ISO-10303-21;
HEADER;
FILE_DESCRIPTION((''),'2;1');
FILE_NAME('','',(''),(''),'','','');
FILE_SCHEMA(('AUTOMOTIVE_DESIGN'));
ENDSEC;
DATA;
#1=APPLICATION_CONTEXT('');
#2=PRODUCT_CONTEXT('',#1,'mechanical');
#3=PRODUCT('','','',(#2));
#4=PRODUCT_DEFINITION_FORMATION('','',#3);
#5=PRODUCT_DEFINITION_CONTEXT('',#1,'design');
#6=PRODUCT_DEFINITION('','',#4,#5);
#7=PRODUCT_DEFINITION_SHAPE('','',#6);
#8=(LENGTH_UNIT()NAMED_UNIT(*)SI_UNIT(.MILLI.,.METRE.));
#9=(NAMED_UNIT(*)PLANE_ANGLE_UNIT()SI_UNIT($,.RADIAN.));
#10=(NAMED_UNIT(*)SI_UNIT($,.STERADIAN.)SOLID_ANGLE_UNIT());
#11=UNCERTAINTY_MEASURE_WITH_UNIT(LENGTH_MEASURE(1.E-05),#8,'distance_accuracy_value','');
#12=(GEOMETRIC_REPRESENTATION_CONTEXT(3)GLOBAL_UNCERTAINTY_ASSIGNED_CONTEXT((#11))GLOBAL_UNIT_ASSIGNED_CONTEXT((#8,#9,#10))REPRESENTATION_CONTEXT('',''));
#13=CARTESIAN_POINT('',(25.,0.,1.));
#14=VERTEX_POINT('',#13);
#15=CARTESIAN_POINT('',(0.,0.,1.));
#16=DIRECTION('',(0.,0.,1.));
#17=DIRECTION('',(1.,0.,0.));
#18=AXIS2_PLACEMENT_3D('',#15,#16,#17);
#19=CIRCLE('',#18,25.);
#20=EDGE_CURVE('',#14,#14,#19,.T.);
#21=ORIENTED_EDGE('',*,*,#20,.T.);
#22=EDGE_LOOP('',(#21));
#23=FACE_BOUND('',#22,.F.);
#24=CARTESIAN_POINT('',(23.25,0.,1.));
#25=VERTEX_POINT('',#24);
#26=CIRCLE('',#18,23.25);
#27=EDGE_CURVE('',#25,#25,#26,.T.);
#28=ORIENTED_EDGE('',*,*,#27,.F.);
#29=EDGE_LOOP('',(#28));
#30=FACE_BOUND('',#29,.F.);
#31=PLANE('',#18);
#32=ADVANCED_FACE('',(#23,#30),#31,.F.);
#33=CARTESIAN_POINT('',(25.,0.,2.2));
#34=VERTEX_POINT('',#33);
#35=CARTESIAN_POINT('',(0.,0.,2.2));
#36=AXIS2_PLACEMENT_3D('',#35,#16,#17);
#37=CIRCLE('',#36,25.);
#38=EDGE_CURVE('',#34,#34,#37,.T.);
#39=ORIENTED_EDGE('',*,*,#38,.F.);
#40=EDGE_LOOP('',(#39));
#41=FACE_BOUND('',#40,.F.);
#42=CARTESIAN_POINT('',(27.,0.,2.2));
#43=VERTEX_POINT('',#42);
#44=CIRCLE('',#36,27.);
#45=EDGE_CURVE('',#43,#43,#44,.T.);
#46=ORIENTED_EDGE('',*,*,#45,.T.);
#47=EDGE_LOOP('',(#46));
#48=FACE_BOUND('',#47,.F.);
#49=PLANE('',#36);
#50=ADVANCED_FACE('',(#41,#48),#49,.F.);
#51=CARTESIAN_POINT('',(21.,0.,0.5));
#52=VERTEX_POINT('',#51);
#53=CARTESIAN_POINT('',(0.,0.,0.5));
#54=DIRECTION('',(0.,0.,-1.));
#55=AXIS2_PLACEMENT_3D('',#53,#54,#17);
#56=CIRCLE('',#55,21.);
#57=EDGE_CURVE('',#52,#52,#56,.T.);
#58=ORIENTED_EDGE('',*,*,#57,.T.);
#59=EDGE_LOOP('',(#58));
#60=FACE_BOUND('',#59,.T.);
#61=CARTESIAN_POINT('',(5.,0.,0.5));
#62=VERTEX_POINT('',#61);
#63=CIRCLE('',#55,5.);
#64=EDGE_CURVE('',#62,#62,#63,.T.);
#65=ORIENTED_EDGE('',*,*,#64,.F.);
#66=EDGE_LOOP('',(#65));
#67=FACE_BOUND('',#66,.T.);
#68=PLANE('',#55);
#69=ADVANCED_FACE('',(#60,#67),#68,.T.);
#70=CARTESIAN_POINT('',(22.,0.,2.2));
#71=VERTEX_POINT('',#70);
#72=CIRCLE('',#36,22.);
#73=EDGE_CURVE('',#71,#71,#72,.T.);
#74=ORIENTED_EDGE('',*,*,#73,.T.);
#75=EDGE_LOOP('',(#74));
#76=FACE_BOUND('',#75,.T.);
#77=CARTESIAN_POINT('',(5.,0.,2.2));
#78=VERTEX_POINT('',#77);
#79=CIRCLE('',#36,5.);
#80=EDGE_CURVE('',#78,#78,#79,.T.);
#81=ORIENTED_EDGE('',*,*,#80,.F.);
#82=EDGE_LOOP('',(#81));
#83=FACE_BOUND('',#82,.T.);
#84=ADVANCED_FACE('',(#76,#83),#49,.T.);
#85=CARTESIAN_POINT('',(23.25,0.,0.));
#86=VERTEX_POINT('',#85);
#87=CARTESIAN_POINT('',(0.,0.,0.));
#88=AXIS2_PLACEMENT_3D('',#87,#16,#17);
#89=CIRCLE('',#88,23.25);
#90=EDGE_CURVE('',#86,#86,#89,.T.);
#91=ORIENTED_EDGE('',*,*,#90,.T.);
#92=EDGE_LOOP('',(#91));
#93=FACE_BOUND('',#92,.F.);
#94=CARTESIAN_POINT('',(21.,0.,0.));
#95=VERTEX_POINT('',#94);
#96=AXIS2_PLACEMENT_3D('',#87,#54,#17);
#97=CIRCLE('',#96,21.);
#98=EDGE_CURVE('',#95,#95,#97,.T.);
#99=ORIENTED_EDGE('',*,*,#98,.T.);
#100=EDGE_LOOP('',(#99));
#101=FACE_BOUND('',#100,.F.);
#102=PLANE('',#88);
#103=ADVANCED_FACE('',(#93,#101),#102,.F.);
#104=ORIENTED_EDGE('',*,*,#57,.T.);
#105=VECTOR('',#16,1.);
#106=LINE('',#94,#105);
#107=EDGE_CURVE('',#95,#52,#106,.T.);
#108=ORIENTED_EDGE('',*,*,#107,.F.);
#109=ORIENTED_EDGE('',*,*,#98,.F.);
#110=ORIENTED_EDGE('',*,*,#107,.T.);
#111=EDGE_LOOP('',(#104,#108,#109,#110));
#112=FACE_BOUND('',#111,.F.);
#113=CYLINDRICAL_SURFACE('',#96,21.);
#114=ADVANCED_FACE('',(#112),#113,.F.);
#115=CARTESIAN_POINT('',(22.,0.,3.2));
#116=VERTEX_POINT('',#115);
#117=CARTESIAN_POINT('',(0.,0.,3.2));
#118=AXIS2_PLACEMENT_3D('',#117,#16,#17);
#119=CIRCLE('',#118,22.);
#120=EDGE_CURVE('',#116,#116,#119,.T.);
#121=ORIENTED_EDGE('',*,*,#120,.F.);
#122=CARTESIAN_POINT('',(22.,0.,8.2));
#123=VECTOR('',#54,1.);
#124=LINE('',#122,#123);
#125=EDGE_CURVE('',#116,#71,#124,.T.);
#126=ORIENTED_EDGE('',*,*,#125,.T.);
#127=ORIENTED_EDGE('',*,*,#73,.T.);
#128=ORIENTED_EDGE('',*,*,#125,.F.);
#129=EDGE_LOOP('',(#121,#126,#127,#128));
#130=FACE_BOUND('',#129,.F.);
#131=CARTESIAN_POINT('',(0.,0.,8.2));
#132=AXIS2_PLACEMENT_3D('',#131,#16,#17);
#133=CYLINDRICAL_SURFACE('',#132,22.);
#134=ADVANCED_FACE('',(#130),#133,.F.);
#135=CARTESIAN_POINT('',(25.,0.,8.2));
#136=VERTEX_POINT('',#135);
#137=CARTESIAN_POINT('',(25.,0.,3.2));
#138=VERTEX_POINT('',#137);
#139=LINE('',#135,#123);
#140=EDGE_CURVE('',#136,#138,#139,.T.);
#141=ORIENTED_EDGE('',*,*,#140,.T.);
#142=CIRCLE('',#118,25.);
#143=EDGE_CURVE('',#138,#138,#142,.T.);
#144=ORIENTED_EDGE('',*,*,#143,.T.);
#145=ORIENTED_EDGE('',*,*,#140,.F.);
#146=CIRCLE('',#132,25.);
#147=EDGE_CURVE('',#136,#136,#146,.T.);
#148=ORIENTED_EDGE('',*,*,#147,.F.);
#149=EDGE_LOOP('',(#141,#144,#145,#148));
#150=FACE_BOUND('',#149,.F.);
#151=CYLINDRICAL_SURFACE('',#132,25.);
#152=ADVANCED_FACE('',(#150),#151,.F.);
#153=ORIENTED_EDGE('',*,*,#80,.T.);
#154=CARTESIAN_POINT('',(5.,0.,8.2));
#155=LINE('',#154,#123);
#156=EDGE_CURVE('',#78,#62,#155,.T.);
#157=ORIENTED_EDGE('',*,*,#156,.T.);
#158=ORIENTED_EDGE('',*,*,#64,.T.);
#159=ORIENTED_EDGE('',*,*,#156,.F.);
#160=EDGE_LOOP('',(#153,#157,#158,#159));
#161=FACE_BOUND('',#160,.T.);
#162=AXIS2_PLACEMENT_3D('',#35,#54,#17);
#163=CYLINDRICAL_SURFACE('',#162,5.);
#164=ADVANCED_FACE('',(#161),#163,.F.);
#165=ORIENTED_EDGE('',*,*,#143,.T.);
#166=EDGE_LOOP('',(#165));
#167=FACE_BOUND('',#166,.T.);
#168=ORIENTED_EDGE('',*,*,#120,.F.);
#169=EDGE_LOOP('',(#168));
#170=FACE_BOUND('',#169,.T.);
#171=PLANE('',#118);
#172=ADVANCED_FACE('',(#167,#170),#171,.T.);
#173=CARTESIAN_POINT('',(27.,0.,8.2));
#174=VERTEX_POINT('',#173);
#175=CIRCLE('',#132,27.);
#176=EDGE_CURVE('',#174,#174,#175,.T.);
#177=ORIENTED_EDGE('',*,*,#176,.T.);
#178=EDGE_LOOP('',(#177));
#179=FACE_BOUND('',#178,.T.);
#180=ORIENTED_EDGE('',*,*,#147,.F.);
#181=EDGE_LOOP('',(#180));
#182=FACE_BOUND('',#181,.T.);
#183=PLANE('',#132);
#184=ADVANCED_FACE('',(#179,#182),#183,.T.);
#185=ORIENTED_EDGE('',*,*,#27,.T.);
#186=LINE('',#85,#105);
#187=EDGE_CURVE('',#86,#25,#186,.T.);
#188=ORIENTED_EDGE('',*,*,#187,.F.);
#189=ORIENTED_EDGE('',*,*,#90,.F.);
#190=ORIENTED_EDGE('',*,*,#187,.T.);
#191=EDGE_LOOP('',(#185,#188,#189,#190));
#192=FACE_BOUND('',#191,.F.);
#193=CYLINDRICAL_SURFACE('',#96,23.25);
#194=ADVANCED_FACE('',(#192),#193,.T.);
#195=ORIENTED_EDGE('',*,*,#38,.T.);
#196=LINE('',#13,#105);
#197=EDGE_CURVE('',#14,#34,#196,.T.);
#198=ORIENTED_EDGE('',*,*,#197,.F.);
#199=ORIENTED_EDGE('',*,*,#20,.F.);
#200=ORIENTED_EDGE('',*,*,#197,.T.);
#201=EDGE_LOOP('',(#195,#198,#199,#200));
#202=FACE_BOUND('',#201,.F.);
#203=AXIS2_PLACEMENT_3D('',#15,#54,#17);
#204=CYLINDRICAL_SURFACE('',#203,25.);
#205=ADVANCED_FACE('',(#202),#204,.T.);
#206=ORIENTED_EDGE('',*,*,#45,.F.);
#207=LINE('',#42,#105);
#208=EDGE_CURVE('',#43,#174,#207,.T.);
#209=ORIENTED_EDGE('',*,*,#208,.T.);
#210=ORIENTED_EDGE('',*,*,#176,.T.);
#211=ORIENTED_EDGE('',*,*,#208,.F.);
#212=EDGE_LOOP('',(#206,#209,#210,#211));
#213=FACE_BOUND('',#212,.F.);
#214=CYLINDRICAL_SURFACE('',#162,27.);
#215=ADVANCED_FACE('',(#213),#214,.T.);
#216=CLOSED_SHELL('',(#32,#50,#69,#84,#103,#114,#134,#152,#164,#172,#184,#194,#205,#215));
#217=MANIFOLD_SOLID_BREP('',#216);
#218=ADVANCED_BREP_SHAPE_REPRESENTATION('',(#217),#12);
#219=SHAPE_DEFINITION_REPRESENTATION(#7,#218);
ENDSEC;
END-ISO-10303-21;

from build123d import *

# Parameters (mm, degrees)
F0_R      = 23.25
F0_R_2    = 5
F1_DEPTH  = 1
F2_R      = 25
F2_R_2    = 23.25
F2_R_3    = 5
F3_DEPTH  = 1.2
F4_R      = 27
F4_R_2    = 25
F4_R_3    = 5
F5_DEPTH  = 6
F6_R      = 22
F6_R_2    = 5
F7_DEPTH  = 6
F8_R      = 25
F8_R_2    = 22
F9_DEPTH  = 5
F10_R     = 21
F10_R_2   = 5
F11_DEPTH = 0.5


with BuildPart() as f1:
    # F0 (on Top) → F1 (new body)
    with BuildSketch(Plane.XY):
        Circle(F0_R)
        Circle(F0_R_2, mode=Mode.SUBTRACT)
    extrude(amount=F1_DEPTH)

    # F2 (on face) → F3 (join)
    with BuildSketch(Plane.XY.offset(1)):
        Circle(F2_R)
        Circle(F2_R_2, mode=Mode.SUBTRACT)
        Circle(F2_R_2)
        Circle(F2_R_3, mode=Mode.SUBTRACT)
    extrude(amount=F3_DEPTH)

    # F4 (on face) → F5 (join)
    with BuildSketch(Plane.XY.offset(2.2)):
        Circle(F4_R)
        Circle(F4_R_2, mode=Mode.SUBTRACT)
        Circle(F4_R_2)
        Circle(F4_R_3, mode=Mode.SUBTRACT)
    extrude(amount=F5_DEPTH)

    # F6 (on face) → F7 (cut)
    with BuildSketch(Plane.XY.offset(8.2)):
        Circle(F6_R)
        Circle(F6_R_2, mode=Mode.SUBTRACT)
    extrude(amount=-F7_DEPTH, mode=Mode.SUBTRACT)

    # F8 (on face) → F9 (cut)
    with BuildSketch(Plane.XY.offset(8.2)):
        Circle(F8_R)
        Circle(F8_R_2, mode=Mode.SUBTRACT)
    extrude(amount=-F9_DEPTH, mode=Mode.SUBTRACT)

    # F10 (on face) → F11 (cut)
    with BuildSketch(Plane(origin=(0, 0, 0), x_dir=(1, 0, 0), z_dir=(0, 0, -1))):
        Circle(F10_R)
        Circle(F10_R_2, mode=Mode.SUBTRACT)
    extrude(amount=-F11_DEPTH, mode=Mode.SUBTRACT)


solid = f1.part
